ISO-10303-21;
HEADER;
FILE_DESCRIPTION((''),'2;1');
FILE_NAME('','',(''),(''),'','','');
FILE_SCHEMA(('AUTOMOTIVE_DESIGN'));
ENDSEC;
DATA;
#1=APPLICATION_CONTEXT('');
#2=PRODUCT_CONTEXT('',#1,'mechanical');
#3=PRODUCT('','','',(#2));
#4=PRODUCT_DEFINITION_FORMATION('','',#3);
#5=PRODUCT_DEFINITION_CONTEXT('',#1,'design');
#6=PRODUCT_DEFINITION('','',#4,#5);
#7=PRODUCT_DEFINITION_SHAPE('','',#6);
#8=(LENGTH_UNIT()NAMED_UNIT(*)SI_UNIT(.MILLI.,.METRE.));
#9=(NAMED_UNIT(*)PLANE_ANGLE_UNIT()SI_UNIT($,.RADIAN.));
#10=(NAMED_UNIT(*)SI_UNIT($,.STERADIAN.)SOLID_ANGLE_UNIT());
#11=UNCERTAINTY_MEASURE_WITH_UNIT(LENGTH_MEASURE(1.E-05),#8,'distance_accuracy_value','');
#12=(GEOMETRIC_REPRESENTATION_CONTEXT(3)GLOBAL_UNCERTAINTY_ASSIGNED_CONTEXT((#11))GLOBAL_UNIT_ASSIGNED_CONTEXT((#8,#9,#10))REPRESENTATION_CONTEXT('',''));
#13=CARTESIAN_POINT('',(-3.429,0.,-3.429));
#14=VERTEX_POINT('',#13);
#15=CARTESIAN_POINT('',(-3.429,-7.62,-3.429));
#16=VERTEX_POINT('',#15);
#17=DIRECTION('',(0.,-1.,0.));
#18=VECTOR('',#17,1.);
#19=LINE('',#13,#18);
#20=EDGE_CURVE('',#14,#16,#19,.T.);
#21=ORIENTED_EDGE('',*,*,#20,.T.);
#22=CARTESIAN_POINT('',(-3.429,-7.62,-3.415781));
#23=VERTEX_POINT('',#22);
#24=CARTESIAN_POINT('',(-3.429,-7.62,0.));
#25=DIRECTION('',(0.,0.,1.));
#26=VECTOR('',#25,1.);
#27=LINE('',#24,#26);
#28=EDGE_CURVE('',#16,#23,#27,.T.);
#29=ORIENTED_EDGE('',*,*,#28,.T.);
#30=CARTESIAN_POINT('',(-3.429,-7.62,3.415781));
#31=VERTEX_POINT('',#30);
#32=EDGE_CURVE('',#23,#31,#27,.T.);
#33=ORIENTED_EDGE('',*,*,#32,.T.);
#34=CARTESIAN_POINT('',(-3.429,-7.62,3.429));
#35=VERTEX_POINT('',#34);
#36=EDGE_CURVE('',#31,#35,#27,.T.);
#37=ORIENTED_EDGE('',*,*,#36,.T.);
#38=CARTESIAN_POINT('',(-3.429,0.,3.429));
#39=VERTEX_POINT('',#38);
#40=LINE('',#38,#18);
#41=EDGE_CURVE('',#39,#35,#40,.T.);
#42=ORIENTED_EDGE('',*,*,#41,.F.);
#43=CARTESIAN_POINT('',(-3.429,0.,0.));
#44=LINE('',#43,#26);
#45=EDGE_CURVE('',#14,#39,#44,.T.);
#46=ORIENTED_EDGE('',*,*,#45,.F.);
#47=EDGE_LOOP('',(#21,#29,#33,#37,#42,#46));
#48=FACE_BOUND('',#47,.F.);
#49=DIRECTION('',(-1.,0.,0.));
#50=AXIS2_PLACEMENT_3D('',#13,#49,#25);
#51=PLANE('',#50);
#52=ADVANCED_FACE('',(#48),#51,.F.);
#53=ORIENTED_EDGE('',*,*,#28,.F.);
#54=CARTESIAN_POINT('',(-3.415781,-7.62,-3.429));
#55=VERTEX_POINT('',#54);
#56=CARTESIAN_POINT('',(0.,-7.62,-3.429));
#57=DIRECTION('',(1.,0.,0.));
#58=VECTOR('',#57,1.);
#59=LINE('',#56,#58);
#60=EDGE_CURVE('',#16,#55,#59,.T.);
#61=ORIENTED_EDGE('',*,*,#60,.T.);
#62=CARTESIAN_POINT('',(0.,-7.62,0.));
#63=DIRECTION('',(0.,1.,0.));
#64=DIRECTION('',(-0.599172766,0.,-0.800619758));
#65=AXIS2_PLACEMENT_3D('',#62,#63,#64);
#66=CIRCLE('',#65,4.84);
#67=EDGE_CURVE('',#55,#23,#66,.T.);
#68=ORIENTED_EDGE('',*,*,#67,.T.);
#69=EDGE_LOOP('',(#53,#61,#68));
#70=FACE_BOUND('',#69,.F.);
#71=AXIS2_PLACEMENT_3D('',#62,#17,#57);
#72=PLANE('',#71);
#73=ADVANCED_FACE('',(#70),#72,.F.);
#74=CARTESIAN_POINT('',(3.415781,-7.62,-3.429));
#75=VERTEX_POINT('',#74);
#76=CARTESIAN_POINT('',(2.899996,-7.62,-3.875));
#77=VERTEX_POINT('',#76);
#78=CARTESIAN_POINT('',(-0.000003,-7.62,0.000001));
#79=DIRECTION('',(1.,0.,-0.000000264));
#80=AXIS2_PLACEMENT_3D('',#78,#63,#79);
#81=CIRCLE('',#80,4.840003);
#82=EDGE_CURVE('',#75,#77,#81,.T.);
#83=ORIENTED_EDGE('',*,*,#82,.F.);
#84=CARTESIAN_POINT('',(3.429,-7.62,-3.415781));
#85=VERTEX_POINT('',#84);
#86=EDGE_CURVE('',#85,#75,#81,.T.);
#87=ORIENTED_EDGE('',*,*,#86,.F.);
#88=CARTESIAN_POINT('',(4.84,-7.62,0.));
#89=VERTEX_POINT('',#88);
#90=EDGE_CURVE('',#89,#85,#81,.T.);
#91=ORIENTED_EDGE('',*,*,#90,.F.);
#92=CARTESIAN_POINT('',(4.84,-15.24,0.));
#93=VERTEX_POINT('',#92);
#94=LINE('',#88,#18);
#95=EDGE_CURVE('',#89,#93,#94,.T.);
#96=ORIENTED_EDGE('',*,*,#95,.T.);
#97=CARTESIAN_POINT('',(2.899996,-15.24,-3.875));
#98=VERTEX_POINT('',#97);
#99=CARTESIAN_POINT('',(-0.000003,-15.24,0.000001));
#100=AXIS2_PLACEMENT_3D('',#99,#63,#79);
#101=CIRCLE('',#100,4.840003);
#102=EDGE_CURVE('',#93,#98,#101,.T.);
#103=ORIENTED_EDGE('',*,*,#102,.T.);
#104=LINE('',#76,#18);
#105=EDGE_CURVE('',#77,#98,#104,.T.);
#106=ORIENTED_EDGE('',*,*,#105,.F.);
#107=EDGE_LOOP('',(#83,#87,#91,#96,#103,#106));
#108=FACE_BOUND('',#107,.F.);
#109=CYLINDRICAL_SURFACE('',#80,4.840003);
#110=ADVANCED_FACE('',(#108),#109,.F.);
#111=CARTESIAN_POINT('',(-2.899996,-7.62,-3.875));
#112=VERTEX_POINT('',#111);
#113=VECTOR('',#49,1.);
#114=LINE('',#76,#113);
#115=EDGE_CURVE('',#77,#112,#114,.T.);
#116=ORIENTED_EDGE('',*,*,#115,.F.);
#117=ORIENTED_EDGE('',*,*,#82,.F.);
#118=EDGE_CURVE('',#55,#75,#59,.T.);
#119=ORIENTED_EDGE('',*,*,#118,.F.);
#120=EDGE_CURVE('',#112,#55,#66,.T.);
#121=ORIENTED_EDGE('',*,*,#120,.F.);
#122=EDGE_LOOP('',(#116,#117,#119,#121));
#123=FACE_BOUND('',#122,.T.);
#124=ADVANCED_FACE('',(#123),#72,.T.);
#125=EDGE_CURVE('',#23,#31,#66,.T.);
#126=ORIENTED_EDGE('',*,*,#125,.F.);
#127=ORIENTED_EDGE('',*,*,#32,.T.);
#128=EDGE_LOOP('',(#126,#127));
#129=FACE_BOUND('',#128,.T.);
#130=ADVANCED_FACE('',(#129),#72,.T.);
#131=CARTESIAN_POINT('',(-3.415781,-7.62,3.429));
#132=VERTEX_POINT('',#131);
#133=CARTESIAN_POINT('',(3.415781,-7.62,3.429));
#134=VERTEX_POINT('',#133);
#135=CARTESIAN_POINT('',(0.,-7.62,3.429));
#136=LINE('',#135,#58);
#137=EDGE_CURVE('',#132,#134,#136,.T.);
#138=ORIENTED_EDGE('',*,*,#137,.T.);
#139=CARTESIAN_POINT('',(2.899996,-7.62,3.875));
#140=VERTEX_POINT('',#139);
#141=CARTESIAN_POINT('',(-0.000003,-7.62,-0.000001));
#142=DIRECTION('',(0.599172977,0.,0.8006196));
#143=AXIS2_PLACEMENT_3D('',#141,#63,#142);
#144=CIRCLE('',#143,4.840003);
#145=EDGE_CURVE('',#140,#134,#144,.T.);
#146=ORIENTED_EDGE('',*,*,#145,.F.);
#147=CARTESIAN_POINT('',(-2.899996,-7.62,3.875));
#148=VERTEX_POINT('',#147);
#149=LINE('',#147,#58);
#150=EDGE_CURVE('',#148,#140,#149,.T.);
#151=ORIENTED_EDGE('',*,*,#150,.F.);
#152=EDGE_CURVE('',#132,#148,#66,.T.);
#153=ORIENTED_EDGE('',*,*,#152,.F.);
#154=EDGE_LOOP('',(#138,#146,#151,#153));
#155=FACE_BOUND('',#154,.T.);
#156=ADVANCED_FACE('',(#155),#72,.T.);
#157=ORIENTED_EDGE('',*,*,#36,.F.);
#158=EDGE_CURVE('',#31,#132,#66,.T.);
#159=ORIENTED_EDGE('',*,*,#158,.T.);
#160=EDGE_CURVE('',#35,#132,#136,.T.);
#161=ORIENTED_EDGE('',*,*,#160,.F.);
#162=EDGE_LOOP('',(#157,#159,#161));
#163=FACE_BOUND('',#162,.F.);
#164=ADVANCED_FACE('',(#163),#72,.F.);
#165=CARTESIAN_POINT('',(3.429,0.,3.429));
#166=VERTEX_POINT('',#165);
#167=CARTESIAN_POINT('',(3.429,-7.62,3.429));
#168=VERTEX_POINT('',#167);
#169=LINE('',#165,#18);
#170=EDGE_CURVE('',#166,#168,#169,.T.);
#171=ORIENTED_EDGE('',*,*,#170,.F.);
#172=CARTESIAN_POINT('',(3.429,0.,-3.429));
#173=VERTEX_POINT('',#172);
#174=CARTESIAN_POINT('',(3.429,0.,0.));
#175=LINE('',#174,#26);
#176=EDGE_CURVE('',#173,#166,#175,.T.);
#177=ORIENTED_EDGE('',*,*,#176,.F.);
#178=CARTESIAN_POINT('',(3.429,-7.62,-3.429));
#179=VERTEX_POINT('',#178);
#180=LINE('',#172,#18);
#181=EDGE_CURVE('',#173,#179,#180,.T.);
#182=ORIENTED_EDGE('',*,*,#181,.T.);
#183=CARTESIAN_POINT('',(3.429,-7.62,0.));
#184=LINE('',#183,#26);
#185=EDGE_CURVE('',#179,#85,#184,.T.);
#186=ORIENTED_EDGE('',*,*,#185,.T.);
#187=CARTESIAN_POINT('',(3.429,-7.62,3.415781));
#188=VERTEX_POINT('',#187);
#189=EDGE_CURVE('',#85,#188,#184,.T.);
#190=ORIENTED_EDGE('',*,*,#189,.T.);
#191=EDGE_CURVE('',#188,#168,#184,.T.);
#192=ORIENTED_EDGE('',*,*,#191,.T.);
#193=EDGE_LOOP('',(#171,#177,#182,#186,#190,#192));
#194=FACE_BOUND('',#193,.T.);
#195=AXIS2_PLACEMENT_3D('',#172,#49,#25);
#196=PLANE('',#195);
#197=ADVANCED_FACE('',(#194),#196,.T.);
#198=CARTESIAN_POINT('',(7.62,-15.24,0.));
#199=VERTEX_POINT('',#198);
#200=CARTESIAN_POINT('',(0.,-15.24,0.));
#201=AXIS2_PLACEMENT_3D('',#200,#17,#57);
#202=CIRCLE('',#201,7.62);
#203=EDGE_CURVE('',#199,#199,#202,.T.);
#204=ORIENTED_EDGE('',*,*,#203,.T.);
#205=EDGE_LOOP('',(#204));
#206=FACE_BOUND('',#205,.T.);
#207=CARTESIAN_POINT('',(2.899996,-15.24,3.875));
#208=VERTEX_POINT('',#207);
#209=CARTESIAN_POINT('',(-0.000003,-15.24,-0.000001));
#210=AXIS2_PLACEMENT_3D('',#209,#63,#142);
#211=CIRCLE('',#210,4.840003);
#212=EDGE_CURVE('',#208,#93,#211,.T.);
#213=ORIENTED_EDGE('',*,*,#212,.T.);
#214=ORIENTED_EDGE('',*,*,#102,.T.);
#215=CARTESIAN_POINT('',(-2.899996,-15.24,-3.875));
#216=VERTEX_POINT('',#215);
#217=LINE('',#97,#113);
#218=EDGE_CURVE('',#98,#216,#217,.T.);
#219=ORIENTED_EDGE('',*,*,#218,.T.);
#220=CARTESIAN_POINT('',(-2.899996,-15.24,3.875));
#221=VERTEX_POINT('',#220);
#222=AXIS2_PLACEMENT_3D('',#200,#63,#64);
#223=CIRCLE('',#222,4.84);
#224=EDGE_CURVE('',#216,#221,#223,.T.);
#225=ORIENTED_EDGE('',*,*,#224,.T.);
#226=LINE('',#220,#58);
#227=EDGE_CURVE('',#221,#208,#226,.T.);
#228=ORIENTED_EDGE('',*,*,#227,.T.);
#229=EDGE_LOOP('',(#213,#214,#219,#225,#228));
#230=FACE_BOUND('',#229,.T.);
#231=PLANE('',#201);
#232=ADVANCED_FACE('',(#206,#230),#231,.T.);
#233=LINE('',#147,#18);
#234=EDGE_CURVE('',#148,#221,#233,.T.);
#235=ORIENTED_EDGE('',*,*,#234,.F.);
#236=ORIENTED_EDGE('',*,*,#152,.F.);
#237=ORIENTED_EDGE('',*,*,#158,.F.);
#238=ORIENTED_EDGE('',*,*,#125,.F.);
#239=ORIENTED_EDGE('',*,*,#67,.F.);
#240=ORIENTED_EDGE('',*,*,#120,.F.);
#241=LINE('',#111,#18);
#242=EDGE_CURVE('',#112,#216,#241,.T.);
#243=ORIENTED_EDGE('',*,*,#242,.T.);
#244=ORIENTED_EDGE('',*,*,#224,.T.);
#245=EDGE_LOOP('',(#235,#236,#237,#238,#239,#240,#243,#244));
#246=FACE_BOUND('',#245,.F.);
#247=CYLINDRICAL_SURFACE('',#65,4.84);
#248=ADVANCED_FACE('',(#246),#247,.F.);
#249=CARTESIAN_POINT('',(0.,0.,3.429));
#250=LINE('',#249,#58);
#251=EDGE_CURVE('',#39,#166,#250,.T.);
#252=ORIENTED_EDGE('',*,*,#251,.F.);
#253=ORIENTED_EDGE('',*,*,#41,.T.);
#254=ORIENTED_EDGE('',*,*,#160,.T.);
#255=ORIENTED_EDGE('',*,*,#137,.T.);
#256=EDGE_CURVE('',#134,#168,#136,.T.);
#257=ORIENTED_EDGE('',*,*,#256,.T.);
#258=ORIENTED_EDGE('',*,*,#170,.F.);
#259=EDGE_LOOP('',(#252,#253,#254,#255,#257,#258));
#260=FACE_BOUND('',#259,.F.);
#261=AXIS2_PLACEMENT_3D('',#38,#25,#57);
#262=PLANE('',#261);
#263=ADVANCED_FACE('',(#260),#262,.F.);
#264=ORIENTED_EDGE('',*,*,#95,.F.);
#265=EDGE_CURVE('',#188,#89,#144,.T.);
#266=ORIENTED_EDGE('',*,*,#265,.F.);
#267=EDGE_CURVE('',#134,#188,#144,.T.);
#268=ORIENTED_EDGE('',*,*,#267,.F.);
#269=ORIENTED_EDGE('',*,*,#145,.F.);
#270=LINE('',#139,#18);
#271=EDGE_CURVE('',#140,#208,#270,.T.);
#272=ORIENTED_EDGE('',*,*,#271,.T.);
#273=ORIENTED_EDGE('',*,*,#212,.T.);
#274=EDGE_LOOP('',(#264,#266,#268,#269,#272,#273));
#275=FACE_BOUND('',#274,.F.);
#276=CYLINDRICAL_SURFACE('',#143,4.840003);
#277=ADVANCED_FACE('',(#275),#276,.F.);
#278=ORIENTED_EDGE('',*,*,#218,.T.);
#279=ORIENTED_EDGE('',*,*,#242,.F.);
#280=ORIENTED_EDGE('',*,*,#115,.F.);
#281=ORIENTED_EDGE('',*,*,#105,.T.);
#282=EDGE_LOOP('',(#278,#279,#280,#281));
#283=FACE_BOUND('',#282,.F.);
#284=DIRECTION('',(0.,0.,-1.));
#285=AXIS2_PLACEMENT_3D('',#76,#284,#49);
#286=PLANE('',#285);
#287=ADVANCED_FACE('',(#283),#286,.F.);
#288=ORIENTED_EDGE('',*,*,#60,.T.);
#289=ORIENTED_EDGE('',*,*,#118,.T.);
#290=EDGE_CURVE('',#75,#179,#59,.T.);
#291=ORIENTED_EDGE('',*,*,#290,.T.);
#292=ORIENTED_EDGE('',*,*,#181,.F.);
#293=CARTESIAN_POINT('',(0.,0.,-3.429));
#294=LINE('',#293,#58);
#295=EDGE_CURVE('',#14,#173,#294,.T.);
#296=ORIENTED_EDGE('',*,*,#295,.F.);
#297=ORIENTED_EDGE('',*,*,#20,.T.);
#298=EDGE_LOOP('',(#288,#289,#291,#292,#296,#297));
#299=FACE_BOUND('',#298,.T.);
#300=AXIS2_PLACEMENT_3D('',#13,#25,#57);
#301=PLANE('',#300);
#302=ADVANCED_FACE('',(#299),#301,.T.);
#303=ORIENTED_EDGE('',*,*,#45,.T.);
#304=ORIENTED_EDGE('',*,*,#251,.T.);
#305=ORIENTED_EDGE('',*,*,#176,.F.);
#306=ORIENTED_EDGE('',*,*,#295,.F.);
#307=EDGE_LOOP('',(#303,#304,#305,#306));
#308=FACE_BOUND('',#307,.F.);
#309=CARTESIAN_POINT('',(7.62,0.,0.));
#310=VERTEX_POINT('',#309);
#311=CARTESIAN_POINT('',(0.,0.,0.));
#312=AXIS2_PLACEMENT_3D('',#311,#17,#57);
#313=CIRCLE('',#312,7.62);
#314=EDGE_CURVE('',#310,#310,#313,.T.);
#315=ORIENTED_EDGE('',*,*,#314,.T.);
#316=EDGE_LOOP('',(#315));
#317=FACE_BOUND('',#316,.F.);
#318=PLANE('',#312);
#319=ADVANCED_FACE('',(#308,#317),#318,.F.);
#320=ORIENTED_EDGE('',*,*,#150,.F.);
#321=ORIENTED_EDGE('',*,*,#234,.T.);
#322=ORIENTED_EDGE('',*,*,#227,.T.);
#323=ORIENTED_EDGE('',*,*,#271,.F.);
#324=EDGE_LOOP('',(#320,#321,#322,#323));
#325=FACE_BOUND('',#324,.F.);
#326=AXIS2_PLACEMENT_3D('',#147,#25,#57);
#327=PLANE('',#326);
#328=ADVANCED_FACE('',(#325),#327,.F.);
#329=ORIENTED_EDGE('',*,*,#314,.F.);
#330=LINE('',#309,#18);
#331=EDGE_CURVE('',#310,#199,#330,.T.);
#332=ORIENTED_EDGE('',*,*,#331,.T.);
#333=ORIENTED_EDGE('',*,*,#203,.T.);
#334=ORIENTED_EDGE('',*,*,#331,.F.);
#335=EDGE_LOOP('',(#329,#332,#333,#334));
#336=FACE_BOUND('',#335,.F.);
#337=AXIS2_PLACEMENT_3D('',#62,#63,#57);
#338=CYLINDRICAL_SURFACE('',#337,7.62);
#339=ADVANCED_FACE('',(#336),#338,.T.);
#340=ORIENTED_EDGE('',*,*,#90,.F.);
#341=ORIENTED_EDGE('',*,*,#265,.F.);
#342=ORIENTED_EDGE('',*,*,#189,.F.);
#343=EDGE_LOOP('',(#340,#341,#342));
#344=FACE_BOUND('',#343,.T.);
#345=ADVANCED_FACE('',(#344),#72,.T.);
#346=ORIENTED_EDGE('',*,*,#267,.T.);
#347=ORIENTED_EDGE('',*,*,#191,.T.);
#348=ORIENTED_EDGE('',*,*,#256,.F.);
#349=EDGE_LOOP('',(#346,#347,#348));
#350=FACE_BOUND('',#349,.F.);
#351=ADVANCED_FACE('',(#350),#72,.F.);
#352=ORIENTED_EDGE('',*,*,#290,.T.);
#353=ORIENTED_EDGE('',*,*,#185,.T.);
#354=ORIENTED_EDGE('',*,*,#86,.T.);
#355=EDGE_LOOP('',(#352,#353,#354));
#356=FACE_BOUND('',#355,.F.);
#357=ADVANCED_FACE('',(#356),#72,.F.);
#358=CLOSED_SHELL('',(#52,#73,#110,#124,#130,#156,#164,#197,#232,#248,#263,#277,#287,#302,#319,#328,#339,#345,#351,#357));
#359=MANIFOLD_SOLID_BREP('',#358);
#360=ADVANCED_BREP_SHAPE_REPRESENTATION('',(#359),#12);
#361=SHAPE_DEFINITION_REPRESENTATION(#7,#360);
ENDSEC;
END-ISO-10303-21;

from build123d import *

# Parameters (mm, degrees)
F0_R     = 7.62
F0_W     = 6.858
F0_H     = 6.858
F1_DEPTH = 7.62
F2_R     = 7.62
F3_DEPTH = 7.62


with BuildPart() as f1:
    # F0 (on Front) → F1 (new body)
    with BuildSketch(Plane.XZ):
        Circle(F0_R)
        Rectangle(F0_W, F0_H, mode=Mode.SUBTRACT)
    extrude(amount=F1_DEPTH)

    # F2 (on face) → F3 (join)
    with BuildSketch(Plane.XZ.offset(7.62)):
        Circle(F2_R)
        with BuildLine():
            ThreePointArc((2.899996, 3.875), (4.327908, 2.166751), (4.84, 0))
            ThreePointArc((4.84, 0), (4.327908, -2.166751), (2.899996, -3.875))
            ThreePointArc((2.899996, -3.875), (0, -4.84), (-2.899996, -3.875))
            ThreePointArc((-2.899996, -3.875), (-4.84, 0), (-2.899996, 3.875))
            ThreePointArc((-2.899996, 3.875), (0, 4.84), (2.899996, 3.875))
        make_face(mode=Mode.SUBTRACT)
        with BuildLine():
            Line((-2.899996, 3.875), (2.899996, 3.875))
            ThreePointArc((2.899996, 3.875), (0, 4.84), (-2.899996, 3.875))
        make_face()
        with BuildLine():
            ThreePointArc((-2.899996, -3.875), (0, -4.84), (2.899996, -3.875))
            Line((2.899996, -3.875), (-2.899996, -3.875))
        make_face()
    extrude(amount=F3_DEPTH)


solid = f1.part
